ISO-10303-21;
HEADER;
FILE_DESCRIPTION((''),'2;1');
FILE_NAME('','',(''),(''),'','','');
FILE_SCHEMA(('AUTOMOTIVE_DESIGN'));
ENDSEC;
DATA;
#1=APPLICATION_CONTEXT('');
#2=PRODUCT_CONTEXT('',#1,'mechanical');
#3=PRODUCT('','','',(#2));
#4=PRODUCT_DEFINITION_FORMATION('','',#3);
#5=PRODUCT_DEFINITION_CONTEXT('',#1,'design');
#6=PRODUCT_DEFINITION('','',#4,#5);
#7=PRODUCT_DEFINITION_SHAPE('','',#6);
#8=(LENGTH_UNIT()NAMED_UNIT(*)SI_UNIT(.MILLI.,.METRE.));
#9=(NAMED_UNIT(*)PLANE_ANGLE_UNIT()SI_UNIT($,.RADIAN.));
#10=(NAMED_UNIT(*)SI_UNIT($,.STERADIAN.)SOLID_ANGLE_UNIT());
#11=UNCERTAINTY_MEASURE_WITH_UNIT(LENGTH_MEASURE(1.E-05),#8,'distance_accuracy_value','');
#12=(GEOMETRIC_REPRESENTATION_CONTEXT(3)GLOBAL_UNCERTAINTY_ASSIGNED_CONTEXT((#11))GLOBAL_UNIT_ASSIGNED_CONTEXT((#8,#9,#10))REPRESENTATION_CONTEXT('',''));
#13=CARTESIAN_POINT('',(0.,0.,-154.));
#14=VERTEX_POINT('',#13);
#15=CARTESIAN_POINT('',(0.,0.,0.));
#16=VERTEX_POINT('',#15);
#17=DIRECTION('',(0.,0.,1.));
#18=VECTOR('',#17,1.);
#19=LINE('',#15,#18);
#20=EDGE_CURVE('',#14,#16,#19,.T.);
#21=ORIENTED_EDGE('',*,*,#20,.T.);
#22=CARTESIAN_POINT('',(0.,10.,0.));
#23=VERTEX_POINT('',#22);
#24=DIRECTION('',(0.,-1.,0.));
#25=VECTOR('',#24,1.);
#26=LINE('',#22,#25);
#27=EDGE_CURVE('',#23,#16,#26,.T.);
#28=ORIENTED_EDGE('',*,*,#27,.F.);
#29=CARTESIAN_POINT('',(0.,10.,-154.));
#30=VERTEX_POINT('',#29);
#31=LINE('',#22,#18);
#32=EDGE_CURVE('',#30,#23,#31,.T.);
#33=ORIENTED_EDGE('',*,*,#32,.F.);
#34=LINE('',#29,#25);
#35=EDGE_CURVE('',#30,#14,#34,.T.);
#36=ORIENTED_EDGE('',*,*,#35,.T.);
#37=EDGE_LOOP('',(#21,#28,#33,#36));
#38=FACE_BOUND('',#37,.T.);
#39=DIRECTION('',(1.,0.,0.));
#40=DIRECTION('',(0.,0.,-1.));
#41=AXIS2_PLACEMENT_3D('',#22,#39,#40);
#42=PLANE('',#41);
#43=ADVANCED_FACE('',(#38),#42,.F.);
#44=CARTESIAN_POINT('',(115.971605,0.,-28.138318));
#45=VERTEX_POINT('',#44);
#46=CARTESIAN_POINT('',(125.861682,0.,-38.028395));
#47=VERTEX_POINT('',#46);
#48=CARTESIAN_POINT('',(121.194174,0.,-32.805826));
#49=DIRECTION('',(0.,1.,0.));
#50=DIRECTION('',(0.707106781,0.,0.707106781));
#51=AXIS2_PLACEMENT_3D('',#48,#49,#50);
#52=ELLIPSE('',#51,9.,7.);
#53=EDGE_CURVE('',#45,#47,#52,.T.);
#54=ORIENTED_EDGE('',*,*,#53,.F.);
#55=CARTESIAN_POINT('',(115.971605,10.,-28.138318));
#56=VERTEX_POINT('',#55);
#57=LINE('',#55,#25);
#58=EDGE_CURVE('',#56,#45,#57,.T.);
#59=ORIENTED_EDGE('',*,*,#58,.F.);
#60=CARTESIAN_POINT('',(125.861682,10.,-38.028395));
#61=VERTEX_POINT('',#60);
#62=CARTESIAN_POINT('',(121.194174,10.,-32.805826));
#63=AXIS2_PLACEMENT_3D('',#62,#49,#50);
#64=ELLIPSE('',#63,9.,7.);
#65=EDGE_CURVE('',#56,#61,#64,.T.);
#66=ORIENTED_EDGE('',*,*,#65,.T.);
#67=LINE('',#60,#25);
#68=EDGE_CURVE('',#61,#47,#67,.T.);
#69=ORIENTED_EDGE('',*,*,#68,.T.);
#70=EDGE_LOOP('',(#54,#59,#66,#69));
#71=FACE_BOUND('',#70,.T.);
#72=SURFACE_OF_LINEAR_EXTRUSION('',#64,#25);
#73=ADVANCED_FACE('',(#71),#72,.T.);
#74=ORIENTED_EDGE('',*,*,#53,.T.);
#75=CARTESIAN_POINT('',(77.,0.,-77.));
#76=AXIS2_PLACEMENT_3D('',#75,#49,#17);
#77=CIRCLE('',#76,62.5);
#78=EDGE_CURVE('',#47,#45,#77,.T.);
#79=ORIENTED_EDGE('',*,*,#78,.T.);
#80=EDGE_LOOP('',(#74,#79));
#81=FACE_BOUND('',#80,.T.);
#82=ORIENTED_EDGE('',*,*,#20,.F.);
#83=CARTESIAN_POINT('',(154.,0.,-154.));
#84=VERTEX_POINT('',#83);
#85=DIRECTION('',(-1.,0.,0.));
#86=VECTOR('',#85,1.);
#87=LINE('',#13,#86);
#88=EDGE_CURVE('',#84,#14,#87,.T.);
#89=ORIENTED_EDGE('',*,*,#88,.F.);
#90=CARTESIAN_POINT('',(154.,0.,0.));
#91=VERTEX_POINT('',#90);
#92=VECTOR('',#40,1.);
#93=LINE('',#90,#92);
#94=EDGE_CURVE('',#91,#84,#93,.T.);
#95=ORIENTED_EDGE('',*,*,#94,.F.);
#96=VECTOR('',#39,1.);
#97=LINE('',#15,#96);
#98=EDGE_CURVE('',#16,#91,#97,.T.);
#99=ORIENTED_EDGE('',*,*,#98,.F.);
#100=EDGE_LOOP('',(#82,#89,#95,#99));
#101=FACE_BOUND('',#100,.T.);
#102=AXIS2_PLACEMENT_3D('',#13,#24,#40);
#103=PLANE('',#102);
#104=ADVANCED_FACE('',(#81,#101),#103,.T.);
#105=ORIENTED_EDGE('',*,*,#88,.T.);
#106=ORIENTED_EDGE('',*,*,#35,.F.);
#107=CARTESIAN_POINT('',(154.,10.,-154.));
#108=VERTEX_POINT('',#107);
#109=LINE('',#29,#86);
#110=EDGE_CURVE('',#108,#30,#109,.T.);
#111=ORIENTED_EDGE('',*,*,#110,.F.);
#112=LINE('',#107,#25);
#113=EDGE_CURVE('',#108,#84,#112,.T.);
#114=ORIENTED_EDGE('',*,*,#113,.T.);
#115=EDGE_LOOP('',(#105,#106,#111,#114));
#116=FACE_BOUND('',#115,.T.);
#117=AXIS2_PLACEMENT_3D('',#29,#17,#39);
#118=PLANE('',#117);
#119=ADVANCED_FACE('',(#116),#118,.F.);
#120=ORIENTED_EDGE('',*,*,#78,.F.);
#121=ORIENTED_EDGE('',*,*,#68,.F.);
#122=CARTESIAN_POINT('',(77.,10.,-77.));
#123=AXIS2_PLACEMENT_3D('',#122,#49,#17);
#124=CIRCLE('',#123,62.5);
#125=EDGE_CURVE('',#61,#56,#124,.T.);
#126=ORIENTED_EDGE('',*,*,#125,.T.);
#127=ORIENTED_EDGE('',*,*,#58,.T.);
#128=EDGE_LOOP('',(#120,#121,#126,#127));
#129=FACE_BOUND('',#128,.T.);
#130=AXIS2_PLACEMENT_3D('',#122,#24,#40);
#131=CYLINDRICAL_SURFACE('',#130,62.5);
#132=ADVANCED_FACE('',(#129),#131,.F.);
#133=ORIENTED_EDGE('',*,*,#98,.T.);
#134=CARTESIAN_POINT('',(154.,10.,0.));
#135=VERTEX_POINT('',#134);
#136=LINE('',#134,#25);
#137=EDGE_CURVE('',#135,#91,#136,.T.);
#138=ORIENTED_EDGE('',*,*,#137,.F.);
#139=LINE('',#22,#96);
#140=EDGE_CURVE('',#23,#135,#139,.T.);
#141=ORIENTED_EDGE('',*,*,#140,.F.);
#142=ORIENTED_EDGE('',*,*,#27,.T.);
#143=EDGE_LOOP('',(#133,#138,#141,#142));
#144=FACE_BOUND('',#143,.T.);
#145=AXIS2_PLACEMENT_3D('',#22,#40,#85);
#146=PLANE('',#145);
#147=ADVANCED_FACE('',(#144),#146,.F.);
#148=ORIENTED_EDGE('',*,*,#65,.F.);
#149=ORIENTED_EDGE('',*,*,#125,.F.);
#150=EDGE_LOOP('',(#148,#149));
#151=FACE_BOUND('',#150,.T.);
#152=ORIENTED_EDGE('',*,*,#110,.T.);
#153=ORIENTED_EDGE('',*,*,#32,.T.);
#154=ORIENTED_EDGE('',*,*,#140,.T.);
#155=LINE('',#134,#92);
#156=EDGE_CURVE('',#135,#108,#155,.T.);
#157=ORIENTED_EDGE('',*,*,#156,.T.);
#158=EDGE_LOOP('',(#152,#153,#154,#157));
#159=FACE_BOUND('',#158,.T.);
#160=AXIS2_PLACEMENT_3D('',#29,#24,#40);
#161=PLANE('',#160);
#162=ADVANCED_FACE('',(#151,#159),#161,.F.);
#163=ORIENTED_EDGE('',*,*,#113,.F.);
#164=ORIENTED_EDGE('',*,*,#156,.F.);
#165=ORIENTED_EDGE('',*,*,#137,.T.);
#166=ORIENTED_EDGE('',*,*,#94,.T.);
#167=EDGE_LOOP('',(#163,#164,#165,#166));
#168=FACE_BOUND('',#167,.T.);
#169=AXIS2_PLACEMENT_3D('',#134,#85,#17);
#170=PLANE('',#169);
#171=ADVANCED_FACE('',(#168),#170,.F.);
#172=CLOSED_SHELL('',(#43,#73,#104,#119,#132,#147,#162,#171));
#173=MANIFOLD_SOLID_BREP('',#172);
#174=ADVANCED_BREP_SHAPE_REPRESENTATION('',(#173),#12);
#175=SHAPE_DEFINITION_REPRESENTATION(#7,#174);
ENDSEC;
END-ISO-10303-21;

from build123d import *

# Parameters (mm, degrees)
SKETCH1_W           = 154
SKETCH1_H           = 154
BOSS_EXTRUDE1_DEPTH = 10


with BuildPart() as part:
    # Sketch1 → Boss-Extrude1 (new body)
    with BuildSketch(Plane(origin=(0, 0, 0), x_dir=(1, 0, 0), z_dir=(0, 1, 0))):
        with Locations((77, 77)):
            Rectangle(SKETCH1_W, SKETCH1_H)
        with BuildLine():
            ThreePointArc((125.861682212, 38.028394806), (32.805826176, 121.194173824), (115.971605194, 28.138317788))
            add(Edge.make_bspline(
                [(115.971605194, 28.138317788), (122.387611631, 21.271341921), (127.558134855, 26.441865145), (132.728658079, 31.612388369), (125.861682212, 38.028394806)],
                knots=[1.527172841, 1.527172841, 1.527172841, 3.141592654, 3.141592654, 4.756012466, 4.756012466, 4.756012466], degree=2, weights=[1, 0.691516576, 1, 0.691516576, 1]))
        make_face(mode=Mode.SUBTRACT)
    extrude(amount=BOSS_EXTRUDE1_DEPTH)


solid = part.part
